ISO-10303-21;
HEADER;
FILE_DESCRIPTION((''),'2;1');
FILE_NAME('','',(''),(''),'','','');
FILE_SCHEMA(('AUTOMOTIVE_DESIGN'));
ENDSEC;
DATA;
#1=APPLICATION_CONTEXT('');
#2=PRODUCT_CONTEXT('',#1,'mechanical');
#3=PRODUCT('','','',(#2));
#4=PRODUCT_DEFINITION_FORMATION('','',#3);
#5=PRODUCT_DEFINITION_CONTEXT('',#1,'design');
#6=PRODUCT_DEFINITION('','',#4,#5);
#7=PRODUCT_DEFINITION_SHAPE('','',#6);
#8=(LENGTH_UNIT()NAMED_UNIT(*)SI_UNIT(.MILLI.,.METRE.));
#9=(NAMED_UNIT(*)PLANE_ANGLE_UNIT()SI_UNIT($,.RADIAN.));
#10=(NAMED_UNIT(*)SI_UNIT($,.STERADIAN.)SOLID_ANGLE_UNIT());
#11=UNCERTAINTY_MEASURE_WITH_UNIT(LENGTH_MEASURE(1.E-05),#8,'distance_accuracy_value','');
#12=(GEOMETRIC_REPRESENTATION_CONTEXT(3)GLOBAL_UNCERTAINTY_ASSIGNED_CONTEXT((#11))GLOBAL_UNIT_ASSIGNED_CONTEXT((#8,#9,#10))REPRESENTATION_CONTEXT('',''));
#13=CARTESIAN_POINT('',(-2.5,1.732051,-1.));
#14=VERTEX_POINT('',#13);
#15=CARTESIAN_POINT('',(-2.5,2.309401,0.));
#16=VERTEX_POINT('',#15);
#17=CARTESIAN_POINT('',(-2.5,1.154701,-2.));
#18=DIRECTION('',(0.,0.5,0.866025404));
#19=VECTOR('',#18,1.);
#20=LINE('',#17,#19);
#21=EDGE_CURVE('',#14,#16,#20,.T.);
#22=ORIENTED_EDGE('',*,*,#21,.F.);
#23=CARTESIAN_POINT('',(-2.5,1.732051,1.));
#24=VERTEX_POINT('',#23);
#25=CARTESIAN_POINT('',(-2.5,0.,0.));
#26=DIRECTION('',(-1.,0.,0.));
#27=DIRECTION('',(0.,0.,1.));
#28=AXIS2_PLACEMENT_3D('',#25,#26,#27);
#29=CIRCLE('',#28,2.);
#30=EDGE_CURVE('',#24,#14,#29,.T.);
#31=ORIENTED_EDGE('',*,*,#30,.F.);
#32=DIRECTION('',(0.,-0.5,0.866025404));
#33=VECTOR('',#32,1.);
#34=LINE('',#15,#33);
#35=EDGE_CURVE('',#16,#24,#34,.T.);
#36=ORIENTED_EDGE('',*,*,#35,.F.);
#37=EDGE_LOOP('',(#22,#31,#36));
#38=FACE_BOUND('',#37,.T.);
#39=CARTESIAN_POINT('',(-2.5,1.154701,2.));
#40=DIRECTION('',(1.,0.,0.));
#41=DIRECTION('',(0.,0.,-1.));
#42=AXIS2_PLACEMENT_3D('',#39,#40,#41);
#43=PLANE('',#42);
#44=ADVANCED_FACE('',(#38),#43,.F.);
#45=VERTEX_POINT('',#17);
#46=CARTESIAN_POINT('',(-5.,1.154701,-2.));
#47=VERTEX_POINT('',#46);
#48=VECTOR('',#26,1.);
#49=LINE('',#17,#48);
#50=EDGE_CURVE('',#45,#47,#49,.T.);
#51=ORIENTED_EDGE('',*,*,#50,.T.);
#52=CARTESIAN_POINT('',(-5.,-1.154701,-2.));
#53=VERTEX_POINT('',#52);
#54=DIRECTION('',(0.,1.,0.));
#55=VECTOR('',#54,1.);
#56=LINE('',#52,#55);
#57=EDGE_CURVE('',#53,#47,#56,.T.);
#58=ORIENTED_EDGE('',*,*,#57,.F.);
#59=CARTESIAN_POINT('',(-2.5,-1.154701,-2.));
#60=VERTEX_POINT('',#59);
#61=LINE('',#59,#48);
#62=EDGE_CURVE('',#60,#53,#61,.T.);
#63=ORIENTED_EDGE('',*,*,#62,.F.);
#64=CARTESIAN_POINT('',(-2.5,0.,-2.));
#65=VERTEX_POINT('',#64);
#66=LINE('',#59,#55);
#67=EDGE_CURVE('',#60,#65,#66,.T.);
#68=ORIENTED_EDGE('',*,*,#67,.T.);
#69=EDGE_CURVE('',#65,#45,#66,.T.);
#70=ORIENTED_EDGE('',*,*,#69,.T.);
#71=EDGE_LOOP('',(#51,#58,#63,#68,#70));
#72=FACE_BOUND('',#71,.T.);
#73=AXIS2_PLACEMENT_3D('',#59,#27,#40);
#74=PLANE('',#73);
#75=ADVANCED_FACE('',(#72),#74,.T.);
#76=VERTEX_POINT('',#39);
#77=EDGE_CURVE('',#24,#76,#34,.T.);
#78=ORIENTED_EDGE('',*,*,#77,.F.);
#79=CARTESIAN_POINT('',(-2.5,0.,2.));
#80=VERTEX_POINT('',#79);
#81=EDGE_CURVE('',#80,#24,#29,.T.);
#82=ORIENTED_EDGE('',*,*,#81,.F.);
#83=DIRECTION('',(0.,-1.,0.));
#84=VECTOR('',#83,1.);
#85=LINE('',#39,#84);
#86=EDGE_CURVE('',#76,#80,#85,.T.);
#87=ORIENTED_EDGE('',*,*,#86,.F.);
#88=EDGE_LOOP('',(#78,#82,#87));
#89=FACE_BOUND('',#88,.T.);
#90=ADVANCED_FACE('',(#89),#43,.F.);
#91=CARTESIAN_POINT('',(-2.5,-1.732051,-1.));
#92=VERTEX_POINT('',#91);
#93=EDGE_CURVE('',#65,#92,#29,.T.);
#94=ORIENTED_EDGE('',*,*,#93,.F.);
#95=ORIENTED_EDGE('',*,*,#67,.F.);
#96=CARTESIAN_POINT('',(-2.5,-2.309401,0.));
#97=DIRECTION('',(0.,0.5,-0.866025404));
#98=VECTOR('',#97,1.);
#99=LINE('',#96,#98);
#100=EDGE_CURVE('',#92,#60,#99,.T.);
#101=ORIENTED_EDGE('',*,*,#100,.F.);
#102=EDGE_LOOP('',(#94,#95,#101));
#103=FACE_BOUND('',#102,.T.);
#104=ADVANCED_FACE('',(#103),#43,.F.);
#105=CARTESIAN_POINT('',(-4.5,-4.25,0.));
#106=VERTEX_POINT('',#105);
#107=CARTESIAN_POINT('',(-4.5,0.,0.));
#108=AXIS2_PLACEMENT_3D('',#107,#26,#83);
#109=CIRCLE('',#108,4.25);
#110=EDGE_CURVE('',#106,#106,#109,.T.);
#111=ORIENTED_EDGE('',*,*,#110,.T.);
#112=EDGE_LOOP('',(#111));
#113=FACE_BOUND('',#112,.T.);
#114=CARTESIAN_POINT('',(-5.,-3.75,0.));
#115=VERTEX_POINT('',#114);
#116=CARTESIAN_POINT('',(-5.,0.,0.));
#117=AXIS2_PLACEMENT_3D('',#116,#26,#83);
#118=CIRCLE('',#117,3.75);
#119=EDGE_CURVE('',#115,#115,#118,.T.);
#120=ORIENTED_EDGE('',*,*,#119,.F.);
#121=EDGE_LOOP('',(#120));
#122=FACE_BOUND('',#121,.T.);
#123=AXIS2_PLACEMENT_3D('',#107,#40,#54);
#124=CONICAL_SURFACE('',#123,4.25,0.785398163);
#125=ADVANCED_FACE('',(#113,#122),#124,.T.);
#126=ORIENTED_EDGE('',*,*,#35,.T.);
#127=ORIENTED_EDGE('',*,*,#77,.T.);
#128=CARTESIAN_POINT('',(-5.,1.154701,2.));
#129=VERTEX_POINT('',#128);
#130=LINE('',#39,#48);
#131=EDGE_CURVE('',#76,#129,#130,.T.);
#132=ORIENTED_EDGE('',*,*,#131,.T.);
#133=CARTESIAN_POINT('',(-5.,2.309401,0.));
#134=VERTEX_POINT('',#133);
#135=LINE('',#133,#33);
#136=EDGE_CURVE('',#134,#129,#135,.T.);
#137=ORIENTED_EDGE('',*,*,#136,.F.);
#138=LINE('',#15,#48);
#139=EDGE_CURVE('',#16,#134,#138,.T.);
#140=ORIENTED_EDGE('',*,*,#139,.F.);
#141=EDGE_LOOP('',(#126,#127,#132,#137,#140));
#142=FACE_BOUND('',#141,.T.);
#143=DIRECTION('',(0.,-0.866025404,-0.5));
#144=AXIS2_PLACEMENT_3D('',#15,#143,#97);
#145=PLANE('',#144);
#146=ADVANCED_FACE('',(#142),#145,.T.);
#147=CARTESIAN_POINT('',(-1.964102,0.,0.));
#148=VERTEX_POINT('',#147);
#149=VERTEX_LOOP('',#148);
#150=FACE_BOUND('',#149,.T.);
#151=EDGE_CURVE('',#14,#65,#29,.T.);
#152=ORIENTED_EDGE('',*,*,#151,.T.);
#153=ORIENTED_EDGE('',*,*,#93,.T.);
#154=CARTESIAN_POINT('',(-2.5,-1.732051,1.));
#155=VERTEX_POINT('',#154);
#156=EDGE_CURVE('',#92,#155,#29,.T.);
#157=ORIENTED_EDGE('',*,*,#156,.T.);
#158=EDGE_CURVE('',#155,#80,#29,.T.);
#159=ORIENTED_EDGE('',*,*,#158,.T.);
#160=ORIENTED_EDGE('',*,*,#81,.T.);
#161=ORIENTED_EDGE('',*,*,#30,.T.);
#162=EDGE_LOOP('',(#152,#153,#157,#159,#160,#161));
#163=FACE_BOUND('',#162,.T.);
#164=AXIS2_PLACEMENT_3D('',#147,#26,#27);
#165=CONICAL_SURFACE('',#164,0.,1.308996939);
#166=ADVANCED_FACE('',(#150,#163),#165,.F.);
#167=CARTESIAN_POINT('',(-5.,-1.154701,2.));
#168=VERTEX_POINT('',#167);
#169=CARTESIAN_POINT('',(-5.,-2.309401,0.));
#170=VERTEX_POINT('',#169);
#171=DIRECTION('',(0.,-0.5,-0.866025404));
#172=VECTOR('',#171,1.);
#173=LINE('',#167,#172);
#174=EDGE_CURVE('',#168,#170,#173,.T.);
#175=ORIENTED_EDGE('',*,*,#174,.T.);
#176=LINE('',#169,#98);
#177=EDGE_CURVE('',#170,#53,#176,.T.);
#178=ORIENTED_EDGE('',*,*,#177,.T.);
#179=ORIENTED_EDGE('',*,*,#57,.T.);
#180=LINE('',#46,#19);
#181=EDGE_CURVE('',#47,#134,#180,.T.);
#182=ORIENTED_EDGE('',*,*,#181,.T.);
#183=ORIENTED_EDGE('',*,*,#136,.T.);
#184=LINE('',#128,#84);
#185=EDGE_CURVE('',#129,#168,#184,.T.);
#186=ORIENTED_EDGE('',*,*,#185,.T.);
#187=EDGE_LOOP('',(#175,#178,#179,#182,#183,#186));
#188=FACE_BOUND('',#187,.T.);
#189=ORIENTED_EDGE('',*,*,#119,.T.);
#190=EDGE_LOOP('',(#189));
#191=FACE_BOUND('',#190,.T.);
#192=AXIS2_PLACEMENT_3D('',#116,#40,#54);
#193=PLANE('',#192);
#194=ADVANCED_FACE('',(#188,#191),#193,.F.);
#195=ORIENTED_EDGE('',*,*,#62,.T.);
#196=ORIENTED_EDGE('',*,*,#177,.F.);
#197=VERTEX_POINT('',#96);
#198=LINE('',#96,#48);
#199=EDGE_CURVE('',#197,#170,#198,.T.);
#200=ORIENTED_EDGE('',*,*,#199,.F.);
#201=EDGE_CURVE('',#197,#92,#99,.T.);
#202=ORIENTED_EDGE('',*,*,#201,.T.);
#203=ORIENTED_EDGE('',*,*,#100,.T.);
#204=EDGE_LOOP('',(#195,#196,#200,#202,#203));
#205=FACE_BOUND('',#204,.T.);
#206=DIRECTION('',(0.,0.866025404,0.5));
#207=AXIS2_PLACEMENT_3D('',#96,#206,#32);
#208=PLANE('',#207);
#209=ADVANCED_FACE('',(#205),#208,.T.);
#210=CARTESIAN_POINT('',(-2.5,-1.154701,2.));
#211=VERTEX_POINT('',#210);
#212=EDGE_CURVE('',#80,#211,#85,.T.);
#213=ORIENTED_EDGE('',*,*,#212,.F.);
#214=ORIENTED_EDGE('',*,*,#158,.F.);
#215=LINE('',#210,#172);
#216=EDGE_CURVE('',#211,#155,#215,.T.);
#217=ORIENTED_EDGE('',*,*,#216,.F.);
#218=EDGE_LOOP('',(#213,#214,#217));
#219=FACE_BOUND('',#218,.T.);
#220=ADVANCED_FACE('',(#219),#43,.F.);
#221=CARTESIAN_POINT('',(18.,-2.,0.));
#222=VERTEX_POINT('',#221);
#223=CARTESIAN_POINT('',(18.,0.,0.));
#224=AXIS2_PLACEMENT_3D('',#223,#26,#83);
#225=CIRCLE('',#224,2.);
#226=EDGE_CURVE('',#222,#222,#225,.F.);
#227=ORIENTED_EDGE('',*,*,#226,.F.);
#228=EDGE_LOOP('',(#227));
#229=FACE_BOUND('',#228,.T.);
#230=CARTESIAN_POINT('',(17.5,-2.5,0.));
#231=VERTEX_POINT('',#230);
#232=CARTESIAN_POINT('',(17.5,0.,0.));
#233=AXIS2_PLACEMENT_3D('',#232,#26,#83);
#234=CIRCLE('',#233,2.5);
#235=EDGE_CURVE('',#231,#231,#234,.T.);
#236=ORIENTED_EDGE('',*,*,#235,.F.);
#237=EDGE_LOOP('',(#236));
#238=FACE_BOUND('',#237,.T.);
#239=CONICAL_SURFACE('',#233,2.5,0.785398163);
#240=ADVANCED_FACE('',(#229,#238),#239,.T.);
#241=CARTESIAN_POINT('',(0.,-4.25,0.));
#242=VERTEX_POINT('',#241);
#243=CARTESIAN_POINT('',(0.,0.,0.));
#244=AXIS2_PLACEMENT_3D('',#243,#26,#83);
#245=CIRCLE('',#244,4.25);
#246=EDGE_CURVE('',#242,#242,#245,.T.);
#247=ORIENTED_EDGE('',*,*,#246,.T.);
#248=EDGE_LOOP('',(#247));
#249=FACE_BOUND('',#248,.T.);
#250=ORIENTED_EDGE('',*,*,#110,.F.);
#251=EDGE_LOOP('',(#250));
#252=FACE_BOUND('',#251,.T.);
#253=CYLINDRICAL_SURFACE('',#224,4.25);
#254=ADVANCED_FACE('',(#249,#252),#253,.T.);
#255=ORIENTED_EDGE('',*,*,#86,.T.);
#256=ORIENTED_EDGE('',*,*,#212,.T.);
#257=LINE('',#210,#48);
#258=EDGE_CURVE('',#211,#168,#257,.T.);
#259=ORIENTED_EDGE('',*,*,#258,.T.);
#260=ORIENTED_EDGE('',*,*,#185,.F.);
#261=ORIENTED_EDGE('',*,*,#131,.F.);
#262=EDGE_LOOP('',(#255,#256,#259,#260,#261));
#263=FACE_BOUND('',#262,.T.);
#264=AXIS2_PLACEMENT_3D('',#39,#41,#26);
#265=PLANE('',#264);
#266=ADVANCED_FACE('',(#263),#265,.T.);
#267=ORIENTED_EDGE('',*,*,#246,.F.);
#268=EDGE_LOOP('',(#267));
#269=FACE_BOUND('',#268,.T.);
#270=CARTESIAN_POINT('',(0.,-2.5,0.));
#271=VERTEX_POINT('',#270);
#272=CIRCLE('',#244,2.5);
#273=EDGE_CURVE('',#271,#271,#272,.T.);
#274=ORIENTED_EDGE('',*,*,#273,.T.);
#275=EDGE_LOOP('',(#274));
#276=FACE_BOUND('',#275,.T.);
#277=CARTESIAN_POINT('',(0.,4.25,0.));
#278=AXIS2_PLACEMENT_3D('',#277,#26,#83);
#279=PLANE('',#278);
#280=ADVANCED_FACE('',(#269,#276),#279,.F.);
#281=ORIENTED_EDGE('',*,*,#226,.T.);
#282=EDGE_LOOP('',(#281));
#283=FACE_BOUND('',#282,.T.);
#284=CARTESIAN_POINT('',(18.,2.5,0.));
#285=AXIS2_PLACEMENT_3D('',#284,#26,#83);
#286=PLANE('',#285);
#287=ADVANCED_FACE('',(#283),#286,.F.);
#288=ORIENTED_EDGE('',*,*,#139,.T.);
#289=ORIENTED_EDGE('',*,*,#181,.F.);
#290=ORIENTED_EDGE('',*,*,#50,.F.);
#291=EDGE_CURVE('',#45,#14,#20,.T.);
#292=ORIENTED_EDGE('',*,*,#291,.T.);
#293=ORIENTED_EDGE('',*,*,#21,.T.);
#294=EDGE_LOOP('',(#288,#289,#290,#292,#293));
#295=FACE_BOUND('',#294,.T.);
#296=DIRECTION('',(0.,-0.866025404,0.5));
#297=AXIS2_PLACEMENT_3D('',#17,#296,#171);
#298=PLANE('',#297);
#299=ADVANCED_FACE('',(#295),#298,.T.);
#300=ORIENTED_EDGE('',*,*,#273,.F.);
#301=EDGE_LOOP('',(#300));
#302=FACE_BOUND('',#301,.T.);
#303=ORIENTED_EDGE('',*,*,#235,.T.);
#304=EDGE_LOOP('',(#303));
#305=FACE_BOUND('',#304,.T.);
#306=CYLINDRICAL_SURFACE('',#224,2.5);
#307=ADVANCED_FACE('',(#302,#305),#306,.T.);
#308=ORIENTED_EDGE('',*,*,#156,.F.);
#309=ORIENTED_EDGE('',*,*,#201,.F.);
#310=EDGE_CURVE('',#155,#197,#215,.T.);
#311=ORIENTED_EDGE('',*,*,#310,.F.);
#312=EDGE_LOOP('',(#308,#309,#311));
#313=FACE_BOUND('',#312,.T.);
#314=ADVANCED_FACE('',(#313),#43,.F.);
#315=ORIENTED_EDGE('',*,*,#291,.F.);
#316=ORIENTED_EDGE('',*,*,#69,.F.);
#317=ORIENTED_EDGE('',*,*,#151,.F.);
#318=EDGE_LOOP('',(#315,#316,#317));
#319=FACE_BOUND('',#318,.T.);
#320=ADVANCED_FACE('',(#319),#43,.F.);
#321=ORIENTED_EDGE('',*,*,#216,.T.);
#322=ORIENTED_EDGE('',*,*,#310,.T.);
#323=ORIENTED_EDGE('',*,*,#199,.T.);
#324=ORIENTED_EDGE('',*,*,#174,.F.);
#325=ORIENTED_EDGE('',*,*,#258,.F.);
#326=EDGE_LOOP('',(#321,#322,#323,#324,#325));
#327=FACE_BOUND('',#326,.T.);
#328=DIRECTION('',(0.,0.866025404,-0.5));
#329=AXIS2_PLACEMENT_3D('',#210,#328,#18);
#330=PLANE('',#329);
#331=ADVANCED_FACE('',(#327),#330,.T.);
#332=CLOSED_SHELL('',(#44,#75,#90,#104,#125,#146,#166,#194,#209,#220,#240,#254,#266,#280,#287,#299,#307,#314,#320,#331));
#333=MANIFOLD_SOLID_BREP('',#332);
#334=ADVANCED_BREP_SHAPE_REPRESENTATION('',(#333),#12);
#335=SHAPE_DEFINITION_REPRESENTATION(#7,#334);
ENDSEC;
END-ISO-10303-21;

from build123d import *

# Parameters (mm, degrees)
CHAMFER1_SIZE      = 0.5
CUT_EXTRUDE1_DEPTH = 2.5


with BuildPart() as part:
    # Sketch1 → Revolve1 (revolve)
    with BuildSketch(Plane.XY, mode=Mode.PRIVATE) as revolve1_sk:
        Polygon((-5, 0), (-5, 3.75), (-4.5, 4.25), (0, 4.25), (0, 2.5), (18, 2.5), (18, 0), align=None)
    revolve(revolve1_sk.sketch.rotate(Axis((18, 0, 0), (-1, 0, 0)), 180), axis=Axis((18, 0, 0), (-1, 0, 0)))

    # Chamfer1
    chamfer1_edges = [part.edges().sort_by_distance(p)[0] for p in [
        (18, 2.5, 0),
    ]]
    chamfer(chamfer1_edges, length=CHAMFER1_SIZE)

    # Sketch2 → Cut-Revolve1 (revolve, cut)
    with BuildSketch(Plane.XY, mode=Mode.PRIVATE) as cut_revolve1_sk:
        Polygon((-5, 0), (-5, 2), (-2.5, 2), (-1.964101615, 0), align=None)
    revolve(cut_revolve1_sk.sketch.rotate(Axis((-1.964101615, 0, 0), (-1, 0, 0)), 270), axis=Axis((-1.964101615, 0, 0), (-1, 0, 0)), mode=Mode.SUBTRACT)

    # Sketch3 → Cut-Extrude1 (cut)
    with BuildSketch(Plane(origin=(-5, 0, 0), x_dir=(0, 0, -1), z_dir=(1, 0, 0))):
        Polygon((-2, 1.154700538), (-2, -1.154700538), (0, -2.309401077), (2, -1.154700538), (2, 1.154700538), (0, 2.309401077), align=None)
    extrude(amount=CUT_EXTRUDE1_DEPTH, mode=Mode.SUBTRACT)


solid = part.part
